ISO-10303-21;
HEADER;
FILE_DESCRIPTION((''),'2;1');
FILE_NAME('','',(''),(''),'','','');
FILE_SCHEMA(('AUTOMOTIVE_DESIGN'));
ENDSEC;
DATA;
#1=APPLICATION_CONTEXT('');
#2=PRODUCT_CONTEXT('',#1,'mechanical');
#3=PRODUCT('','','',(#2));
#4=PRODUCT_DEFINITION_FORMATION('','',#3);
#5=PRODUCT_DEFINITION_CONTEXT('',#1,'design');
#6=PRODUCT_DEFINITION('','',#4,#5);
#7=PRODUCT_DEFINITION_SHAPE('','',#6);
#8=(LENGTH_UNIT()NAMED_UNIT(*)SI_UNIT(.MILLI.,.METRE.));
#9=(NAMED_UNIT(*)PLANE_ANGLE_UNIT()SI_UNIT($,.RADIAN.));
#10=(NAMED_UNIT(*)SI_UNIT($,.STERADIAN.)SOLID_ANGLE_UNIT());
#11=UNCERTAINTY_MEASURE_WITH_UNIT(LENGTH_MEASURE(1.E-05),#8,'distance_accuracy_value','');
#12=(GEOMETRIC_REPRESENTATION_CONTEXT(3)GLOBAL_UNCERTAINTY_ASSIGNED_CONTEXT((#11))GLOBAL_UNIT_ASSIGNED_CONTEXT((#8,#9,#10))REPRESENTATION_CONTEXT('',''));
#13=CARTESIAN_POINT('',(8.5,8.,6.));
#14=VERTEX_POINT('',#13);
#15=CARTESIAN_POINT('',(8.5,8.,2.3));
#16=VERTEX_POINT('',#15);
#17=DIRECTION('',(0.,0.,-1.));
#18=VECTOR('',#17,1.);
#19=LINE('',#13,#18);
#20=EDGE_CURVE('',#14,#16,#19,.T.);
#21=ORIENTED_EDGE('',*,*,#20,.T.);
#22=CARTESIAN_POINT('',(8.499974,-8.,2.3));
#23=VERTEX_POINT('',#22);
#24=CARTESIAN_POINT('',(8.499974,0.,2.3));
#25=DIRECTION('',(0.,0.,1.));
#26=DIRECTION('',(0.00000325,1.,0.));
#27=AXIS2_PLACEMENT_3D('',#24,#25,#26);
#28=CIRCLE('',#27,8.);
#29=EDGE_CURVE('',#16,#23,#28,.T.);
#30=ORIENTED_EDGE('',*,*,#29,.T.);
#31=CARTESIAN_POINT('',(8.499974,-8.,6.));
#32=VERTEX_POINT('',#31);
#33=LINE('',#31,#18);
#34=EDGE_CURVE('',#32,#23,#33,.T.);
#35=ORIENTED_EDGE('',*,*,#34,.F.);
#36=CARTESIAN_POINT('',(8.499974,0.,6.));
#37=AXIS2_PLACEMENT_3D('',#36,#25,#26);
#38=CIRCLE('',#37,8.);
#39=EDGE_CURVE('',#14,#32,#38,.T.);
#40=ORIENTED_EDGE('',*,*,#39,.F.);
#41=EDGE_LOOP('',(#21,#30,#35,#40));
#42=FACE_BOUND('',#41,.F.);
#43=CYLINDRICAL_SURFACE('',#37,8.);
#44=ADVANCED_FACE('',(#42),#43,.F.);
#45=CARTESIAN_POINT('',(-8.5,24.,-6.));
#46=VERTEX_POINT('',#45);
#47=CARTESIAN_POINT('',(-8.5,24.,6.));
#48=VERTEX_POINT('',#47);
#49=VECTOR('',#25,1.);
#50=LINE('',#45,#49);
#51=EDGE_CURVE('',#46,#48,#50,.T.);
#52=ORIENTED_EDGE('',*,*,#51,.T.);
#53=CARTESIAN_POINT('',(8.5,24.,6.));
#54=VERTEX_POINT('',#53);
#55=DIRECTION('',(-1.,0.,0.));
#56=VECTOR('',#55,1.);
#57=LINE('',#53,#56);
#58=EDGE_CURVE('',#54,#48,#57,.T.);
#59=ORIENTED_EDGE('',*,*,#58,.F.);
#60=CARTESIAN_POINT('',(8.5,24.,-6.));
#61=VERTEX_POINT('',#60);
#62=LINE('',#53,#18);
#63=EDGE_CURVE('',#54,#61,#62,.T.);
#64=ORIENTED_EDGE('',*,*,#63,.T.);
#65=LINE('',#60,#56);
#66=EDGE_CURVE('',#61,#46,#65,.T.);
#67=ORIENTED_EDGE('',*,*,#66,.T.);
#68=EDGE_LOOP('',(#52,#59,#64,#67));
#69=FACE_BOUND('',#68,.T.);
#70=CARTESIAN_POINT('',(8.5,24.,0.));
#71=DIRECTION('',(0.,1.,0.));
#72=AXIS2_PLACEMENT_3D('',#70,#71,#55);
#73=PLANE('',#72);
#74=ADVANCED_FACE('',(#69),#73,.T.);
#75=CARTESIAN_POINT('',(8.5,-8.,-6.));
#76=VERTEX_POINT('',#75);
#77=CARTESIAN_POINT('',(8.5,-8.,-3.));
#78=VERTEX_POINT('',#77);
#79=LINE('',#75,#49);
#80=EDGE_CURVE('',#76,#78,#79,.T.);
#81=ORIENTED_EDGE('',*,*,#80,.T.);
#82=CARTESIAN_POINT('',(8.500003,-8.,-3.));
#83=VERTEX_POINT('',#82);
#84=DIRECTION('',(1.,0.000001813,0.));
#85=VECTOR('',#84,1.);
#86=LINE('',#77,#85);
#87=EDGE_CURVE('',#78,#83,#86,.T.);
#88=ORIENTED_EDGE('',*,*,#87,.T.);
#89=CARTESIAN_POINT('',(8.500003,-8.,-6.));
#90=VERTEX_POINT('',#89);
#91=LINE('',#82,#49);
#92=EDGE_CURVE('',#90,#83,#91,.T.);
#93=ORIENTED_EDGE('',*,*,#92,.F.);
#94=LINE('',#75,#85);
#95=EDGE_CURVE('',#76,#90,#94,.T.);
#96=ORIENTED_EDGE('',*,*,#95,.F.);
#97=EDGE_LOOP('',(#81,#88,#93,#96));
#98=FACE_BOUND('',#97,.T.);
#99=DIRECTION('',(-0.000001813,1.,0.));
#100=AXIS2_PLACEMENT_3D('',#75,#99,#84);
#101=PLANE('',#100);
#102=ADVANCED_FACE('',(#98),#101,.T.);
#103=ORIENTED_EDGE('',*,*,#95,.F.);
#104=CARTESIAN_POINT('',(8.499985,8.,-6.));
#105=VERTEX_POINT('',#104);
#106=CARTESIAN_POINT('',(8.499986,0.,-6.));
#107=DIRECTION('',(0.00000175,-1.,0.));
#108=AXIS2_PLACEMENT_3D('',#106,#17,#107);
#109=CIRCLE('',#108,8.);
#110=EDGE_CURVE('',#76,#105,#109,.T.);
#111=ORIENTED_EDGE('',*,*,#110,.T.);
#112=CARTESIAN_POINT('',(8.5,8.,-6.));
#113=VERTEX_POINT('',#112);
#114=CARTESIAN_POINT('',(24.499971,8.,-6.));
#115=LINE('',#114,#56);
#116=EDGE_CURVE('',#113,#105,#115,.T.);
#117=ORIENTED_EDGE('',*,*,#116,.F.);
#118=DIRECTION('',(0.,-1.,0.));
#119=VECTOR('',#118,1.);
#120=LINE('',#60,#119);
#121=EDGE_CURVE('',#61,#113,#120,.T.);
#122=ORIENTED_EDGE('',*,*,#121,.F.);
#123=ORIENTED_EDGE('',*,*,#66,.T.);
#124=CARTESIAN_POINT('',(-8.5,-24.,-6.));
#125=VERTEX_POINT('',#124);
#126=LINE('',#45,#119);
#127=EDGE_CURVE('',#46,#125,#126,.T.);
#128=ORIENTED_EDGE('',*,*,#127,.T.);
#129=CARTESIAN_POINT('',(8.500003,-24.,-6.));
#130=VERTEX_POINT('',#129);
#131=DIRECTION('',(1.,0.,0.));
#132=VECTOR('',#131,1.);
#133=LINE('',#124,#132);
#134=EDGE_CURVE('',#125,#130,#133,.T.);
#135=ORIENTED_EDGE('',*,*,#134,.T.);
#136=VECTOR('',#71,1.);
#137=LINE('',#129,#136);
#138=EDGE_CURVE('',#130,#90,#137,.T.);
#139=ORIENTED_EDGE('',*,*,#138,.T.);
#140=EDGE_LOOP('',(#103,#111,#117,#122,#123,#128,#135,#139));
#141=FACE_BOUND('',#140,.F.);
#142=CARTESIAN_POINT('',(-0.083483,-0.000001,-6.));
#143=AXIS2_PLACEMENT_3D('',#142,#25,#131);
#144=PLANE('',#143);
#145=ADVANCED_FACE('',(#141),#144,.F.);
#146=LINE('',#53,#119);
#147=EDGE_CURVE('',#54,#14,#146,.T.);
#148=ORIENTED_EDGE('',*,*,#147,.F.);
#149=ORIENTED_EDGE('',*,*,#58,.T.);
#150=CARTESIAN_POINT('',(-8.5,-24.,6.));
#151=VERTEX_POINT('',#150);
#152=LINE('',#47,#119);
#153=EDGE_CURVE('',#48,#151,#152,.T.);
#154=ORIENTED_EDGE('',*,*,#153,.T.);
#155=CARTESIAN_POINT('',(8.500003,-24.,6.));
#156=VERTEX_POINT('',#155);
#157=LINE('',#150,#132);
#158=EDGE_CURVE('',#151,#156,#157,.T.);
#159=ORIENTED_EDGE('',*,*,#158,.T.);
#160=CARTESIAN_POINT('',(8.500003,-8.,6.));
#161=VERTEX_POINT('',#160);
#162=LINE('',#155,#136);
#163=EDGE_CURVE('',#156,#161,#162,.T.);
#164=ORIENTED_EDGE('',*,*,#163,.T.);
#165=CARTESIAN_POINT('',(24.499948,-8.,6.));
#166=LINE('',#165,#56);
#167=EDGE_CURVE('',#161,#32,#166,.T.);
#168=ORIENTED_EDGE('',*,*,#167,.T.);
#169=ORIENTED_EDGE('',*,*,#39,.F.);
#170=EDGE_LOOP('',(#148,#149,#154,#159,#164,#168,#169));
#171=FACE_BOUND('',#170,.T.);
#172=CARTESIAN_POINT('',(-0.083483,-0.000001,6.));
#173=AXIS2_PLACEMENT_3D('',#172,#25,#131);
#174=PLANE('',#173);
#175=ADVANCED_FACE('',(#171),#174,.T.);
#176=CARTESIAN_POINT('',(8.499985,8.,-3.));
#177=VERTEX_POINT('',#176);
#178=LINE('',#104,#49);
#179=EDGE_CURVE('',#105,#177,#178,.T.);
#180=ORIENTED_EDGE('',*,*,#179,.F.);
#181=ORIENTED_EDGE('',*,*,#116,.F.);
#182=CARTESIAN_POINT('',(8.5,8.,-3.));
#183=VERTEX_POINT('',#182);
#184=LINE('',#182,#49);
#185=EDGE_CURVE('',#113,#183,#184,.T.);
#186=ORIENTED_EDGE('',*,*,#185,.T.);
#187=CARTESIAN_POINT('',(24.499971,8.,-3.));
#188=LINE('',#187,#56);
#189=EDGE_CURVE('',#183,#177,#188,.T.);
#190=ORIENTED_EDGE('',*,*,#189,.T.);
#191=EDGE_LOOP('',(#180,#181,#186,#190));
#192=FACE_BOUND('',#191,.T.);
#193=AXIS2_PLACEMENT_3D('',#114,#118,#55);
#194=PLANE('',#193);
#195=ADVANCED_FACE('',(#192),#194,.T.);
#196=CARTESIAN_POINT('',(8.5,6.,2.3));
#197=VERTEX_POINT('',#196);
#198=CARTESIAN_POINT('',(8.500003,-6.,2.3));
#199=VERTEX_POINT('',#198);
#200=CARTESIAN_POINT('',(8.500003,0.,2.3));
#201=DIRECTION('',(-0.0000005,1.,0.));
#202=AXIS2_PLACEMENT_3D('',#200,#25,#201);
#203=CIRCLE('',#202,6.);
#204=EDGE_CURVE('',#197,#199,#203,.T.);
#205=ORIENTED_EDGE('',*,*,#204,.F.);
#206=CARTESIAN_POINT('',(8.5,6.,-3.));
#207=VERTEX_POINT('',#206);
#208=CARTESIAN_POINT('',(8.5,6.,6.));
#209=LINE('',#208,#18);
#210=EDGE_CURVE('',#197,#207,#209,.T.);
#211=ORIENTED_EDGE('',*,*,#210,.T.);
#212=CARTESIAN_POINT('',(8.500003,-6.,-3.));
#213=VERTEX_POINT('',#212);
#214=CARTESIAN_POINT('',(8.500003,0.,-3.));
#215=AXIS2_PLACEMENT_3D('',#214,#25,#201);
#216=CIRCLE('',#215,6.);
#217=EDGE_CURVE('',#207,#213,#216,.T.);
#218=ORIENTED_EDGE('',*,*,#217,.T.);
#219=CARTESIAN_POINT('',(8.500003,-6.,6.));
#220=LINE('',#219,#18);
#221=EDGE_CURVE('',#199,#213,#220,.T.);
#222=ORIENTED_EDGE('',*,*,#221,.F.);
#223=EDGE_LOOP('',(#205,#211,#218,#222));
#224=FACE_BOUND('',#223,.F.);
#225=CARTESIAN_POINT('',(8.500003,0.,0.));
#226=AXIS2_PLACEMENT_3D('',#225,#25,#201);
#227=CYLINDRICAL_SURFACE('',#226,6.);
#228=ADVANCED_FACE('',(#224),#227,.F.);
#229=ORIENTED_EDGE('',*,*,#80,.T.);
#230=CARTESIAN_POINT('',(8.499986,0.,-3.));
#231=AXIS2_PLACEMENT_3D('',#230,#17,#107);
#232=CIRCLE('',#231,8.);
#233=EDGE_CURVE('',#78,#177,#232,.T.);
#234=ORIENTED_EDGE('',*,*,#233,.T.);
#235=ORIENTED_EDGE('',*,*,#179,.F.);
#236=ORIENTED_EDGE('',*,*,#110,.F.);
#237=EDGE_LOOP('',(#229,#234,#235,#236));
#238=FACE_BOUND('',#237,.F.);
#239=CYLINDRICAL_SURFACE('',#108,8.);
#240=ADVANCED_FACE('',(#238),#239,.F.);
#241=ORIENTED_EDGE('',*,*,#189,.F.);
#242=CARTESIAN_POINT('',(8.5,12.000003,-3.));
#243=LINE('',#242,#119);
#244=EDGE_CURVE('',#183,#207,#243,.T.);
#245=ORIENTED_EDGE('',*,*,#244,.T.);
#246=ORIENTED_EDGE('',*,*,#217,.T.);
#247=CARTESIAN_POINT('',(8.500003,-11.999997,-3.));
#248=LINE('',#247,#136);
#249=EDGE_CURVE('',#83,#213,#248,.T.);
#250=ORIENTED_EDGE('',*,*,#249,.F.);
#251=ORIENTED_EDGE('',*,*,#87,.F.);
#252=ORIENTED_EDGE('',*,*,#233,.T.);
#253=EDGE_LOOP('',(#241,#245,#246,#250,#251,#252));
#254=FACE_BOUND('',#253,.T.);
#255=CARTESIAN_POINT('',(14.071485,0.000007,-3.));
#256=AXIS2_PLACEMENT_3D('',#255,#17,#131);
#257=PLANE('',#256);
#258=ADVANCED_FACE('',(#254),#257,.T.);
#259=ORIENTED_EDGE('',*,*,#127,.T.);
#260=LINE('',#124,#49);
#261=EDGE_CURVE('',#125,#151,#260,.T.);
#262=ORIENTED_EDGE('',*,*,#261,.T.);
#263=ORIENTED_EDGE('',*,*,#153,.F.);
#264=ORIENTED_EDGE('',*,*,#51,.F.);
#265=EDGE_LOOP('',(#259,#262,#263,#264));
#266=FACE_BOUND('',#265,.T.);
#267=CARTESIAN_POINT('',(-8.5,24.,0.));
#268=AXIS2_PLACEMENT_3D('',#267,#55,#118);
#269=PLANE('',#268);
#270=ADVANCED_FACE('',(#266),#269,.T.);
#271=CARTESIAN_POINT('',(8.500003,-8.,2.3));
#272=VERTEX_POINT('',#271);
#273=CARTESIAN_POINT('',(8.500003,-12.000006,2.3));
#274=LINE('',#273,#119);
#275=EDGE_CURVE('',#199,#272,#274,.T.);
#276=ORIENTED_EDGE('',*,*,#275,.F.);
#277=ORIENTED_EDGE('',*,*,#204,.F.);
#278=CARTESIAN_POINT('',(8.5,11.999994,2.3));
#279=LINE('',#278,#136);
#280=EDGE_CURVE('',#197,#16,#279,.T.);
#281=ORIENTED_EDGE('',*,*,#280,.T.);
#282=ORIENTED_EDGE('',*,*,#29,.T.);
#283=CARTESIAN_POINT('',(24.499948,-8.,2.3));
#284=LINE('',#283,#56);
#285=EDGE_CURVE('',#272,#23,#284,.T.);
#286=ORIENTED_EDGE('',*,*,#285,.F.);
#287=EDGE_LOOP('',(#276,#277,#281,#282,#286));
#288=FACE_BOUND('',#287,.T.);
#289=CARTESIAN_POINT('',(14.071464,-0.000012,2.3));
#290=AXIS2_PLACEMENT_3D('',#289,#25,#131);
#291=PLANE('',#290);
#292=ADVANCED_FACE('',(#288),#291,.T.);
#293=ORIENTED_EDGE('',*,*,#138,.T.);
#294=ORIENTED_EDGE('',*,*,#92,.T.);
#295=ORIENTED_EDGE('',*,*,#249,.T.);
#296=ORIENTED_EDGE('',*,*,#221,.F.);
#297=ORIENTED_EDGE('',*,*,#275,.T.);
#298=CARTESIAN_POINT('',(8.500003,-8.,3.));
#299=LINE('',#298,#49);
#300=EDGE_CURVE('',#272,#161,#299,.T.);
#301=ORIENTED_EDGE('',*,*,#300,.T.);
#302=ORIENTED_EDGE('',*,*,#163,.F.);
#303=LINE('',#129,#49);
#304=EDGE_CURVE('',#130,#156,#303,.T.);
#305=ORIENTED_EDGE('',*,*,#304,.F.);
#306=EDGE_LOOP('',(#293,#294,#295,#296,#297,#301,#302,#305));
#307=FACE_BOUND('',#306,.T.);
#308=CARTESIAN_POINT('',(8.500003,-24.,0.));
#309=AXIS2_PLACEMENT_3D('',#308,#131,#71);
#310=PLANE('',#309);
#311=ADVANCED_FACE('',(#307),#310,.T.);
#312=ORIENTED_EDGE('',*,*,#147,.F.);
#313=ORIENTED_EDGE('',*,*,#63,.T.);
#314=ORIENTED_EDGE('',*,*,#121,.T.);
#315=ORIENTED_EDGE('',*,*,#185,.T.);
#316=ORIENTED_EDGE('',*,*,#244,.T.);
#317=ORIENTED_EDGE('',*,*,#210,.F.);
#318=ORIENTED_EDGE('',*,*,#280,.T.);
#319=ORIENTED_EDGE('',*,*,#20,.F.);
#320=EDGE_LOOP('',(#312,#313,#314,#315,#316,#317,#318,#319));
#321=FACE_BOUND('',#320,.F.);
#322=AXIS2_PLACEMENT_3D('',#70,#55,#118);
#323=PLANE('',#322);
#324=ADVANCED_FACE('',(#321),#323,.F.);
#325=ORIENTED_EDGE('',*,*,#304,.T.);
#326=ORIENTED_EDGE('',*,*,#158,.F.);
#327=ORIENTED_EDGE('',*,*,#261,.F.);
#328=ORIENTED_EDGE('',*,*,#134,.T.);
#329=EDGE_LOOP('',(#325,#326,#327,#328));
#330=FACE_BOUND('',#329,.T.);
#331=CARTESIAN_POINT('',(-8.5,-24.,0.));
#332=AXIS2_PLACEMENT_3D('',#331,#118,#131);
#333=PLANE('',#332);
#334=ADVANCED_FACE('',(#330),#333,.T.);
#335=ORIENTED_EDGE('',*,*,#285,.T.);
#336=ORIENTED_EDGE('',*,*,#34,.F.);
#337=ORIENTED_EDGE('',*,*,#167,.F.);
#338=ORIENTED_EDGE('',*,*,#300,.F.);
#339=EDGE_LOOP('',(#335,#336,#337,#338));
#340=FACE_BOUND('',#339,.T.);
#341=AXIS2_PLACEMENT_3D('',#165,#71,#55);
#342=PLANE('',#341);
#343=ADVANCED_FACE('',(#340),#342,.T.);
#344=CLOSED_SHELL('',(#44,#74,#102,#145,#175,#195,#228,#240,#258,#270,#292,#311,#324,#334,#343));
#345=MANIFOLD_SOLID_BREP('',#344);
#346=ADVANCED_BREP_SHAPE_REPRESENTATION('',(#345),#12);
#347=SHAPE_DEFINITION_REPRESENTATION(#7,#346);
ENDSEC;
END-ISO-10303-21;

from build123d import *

# Parameters (mm, degrees)
PAD_DEPTH       = 6
POCKET_DEPTH    = 3.7
POCKET001_DEPTH = 3


with BuildPart() as part:
    # Sketch → Pad (new body, symmetric)
    with BuildSketch(Plane.XY):
        with BuildLine():
            Line((8.5, 24), (-8.5, 24))
            Line((-8.5, 24), (-8.5, -24))
            Line((-8.5, -24), (8.500003, -24))
            Line((8.500003, -24), (8.500003, -6))
            ThreePointArc((8.5, 6), (2.500003, -1e-06), (8.500003, -6))
            Line((8.5, 24), (8.5, 6))
        make_face()
    extrude(amount=PAD_DEPTH, both=True)

    # Sketch001 → Pocket (cut)
    with BuildSketch(Plane.XY.offset(6)):
        with BuildLine():
            ThreePointArc((8.5, 8), (0.499974, 1.3e-05), (8.499974, -8))
            Line((24.499948, -8), (8.499974, -8))
            Line((24.499948, 7.999948), (24.499948, -8))
            Line((8.5, 8), (24.499948, 7.999948))
        make_face()
    extrude(amount=-POCKET_DEPTH, mode=Mode.SUBTRACT)

    # Sketch002 → Pocket001 (cut)
    with BuildSketch(Plane(origin=(0, 0, -6), x_dir=(1, 0, 0), z_dir=(0, 0, -1))):
        with BuildLine():
            ThreePointArc((8.5, 8), (0.499986, 7e-06), (8.499985, -8))
            Line((24.499971, -8), (8.499985, -8))
            Line((24.499971, 7.999971), (24.499971, -8))
            Line((8.5, 8), (24.499971, 7.999971))
        make_face()
    extrude(amount=-POCKET001_DEPTH, mode=Mode.SUBTRACT)


solid = part.part
